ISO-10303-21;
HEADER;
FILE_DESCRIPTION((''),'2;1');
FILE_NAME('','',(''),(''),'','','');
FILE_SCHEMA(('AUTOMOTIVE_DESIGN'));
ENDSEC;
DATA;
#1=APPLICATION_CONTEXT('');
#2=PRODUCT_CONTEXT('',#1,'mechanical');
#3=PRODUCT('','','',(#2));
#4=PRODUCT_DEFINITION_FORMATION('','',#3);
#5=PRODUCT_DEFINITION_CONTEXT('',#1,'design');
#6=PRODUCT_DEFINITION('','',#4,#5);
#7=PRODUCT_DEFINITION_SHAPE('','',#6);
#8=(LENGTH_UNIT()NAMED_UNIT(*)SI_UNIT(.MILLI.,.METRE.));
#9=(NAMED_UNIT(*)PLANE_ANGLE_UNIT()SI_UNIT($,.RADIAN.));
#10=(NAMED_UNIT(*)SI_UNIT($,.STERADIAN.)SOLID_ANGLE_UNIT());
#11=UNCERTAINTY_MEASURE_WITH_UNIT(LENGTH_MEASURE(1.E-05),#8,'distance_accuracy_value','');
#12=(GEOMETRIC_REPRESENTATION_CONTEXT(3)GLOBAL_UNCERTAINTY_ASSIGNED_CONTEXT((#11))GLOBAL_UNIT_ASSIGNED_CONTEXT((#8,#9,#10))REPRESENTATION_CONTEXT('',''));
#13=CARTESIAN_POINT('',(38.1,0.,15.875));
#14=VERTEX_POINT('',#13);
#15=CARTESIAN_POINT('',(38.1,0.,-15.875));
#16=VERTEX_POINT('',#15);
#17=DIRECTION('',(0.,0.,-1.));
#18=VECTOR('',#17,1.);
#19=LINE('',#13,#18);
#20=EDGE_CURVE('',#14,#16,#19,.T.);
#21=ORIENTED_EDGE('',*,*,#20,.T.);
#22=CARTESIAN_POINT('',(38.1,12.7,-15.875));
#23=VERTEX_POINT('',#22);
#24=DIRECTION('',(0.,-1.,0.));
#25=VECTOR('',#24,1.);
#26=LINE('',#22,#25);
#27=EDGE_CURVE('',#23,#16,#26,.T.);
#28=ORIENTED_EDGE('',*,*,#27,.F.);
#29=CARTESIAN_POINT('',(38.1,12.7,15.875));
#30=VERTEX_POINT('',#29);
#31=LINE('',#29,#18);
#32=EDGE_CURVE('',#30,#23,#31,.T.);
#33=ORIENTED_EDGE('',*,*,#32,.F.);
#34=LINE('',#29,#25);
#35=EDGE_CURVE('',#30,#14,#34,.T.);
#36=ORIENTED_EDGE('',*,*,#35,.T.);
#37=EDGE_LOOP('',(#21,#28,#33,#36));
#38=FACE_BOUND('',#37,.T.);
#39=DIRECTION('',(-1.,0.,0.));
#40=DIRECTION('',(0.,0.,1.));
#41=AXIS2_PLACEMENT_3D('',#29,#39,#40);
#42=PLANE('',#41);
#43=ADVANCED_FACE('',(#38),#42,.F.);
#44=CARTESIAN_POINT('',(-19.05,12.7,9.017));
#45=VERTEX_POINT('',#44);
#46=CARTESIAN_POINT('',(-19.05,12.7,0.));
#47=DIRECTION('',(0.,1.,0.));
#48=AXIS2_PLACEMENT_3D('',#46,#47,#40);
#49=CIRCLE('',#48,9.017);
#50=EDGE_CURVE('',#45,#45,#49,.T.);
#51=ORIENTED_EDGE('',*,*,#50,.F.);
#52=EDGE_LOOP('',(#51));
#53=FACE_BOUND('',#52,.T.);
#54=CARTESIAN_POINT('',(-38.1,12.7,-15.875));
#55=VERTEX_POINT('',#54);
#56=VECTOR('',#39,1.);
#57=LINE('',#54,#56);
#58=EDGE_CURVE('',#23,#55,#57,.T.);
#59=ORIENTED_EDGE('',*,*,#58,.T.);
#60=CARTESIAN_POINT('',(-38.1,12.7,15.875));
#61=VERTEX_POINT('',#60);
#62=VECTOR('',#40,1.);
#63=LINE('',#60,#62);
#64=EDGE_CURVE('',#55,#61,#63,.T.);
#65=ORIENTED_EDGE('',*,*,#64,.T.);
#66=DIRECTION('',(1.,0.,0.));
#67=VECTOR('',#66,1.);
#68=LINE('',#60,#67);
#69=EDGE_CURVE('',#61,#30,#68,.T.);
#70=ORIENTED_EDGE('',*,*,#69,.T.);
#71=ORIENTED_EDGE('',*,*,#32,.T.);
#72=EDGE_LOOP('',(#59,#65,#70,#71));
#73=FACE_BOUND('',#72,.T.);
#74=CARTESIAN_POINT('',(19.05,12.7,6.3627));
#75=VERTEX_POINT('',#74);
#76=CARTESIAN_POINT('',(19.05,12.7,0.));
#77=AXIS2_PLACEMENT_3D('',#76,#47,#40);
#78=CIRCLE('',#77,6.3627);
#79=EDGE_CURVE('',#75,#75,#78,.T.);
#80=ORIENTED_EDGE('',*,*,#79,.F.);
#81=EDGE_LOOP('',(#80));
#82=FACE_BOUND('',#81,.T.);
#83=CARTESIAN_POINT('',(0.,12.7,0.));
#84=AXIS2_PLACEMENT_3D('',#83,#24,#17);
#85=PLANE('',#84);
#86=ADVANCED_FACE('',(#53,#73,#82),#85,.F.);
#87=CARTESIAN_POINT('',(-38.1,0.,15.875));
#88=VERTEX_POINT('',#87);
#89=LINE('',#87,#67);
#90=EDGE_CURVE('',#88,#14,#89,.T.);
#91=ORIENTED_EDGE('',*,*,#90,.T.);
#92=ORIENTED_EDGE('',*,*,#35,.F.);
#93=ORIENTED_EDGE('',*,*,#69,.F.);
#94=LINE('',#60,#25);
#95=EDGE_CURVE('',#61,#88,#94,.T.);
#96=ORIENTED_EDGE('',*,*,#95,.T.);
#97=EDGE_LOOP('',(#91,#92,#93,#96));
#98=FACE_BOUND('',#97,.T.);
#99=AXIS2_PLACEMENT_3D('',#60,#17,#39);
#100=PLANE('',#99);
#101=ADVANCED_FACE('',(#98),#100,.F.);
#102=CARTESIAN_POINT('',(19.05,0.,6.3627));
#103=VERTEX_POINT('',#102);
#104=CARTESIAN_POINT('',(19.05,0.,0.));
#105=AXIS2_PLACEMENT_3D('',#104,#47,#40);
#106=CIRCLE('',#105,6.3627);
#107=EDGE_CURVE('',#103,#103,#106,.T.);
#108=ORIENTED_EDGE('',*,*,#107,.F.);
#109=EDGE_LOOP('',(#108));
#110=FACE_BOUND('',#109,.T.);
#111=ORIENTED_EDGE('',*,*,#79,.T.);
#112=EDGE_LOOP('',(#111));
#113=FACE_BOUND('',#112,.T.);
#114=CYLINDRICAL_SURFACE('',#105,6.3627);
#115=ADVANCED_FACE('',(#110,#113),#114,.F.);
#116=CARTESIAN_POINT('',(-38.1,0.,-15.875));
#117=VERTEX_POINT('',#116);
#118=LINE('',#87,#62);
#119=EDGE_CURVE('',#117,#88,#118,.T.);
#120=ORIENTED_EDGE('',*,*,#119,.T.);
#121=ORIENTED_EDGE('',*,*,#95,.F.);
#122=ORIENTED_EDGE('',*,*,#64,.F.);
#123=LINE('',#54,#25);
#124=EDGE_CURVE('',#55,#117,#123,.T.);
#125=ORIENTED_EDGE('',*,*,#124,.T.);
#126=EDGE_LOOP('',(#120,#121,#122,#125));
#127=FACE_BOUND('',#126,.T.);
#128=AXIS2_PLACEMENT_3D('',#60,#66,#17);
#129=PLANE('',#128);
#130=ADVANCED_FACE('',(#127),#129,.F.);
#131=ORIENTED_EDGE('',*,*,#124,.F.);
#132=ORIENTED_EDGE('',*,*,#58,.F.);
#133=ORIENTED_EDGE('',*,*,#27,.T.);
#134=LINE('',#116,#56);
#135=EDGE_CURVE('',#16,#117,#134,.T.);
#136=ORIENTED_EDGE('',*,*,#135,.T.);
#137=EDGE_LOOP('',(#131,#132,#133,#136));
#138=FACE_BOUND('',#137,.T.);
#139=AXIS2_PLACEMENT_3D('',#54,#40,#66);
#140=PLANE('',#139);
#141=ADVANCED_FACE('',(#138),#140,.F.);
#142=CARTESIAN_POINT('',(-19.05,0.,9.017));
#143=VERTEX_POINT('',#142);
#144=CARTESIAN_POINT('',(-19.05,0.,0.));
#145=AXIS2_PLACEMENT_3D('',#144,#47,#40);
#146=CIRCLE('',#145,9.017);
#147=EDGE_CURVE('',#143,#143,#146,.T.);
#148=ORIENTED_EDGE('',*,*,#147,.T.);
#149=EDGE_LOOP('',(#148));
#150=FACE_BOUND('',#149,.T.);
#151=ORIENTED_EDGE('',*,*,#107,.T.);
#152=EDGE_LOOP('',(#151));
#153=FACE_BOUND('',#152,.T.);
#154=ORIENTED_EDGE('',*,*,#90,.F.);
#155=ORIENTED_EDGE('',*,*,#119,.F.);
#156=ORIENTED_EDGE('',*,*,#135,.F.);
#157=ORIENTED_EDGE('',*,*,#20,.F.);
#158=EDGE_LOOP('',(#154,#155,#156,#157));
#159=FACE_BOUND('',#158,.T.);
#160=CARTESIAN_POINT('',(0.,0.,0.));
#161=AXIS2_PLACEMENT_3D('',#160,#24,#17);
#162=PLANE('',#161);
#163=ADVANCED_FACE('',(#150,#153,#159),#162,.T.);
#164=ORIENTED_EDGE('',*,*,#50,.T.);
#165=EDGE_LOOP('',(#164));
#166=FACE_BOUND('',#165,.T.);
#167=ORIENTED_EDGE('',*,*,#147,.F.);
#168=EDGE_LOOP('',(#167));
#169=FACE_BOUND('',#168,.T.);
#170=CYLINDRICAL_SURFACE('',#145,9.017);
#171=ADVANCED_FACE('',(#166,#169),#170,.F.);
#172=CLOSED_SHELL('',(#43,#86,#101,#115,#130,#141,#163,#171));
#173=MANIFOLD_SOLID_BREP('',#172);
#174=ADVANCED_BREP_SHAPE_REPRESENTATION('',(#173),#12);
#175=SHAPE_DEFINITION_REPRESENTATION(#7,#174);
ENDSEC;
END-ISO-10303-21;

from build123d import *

# Parameters (mm, degrees)
SKETCH1_W           = 76.2
SKETCH1_H           = 31.75
BOSS_EXTRUDE1_DEPTH = 12.7
SKETCH2_R           = 9.017
SKETCH2_R_2         = 6.3627
CUT_EXTRUDE1_DEPTH  = 44.184668865


with BuildPart() as part:
    # Sketch1 → Boss-Extrude1 (new body)
    with BuildSketch(Plane(origin=(0, 0, 0), x_dir=(1, 0, 0), z_dir=(0, 1, 0))):
        Rectangle(SKETCH1_W, SKETCH1_H)
    extrude(amount=BOSS_EXTRUDE1_DEPTH)

    # Sketch2 → Cut-Extrude1 (cut, through all)
    with BuildSketch(Plane(origin=(0, 12.7, 0), x_dir=(1, 0, 0), z_dir=(0, 1, 0))):
        with Locations(Location((-19.05, 0, 0), (0, 0, 270))):
            Circle(SKETCH2_R)
        with Locations(Location((19.05, 0, 0), (0, 0, 270))):
            Circle(SKETCH2_R_2)
    extrude(amount=-CUT_EXTRUDE1_DEPTH, mode=Mode.SUBTRACT)


solid = part.part
